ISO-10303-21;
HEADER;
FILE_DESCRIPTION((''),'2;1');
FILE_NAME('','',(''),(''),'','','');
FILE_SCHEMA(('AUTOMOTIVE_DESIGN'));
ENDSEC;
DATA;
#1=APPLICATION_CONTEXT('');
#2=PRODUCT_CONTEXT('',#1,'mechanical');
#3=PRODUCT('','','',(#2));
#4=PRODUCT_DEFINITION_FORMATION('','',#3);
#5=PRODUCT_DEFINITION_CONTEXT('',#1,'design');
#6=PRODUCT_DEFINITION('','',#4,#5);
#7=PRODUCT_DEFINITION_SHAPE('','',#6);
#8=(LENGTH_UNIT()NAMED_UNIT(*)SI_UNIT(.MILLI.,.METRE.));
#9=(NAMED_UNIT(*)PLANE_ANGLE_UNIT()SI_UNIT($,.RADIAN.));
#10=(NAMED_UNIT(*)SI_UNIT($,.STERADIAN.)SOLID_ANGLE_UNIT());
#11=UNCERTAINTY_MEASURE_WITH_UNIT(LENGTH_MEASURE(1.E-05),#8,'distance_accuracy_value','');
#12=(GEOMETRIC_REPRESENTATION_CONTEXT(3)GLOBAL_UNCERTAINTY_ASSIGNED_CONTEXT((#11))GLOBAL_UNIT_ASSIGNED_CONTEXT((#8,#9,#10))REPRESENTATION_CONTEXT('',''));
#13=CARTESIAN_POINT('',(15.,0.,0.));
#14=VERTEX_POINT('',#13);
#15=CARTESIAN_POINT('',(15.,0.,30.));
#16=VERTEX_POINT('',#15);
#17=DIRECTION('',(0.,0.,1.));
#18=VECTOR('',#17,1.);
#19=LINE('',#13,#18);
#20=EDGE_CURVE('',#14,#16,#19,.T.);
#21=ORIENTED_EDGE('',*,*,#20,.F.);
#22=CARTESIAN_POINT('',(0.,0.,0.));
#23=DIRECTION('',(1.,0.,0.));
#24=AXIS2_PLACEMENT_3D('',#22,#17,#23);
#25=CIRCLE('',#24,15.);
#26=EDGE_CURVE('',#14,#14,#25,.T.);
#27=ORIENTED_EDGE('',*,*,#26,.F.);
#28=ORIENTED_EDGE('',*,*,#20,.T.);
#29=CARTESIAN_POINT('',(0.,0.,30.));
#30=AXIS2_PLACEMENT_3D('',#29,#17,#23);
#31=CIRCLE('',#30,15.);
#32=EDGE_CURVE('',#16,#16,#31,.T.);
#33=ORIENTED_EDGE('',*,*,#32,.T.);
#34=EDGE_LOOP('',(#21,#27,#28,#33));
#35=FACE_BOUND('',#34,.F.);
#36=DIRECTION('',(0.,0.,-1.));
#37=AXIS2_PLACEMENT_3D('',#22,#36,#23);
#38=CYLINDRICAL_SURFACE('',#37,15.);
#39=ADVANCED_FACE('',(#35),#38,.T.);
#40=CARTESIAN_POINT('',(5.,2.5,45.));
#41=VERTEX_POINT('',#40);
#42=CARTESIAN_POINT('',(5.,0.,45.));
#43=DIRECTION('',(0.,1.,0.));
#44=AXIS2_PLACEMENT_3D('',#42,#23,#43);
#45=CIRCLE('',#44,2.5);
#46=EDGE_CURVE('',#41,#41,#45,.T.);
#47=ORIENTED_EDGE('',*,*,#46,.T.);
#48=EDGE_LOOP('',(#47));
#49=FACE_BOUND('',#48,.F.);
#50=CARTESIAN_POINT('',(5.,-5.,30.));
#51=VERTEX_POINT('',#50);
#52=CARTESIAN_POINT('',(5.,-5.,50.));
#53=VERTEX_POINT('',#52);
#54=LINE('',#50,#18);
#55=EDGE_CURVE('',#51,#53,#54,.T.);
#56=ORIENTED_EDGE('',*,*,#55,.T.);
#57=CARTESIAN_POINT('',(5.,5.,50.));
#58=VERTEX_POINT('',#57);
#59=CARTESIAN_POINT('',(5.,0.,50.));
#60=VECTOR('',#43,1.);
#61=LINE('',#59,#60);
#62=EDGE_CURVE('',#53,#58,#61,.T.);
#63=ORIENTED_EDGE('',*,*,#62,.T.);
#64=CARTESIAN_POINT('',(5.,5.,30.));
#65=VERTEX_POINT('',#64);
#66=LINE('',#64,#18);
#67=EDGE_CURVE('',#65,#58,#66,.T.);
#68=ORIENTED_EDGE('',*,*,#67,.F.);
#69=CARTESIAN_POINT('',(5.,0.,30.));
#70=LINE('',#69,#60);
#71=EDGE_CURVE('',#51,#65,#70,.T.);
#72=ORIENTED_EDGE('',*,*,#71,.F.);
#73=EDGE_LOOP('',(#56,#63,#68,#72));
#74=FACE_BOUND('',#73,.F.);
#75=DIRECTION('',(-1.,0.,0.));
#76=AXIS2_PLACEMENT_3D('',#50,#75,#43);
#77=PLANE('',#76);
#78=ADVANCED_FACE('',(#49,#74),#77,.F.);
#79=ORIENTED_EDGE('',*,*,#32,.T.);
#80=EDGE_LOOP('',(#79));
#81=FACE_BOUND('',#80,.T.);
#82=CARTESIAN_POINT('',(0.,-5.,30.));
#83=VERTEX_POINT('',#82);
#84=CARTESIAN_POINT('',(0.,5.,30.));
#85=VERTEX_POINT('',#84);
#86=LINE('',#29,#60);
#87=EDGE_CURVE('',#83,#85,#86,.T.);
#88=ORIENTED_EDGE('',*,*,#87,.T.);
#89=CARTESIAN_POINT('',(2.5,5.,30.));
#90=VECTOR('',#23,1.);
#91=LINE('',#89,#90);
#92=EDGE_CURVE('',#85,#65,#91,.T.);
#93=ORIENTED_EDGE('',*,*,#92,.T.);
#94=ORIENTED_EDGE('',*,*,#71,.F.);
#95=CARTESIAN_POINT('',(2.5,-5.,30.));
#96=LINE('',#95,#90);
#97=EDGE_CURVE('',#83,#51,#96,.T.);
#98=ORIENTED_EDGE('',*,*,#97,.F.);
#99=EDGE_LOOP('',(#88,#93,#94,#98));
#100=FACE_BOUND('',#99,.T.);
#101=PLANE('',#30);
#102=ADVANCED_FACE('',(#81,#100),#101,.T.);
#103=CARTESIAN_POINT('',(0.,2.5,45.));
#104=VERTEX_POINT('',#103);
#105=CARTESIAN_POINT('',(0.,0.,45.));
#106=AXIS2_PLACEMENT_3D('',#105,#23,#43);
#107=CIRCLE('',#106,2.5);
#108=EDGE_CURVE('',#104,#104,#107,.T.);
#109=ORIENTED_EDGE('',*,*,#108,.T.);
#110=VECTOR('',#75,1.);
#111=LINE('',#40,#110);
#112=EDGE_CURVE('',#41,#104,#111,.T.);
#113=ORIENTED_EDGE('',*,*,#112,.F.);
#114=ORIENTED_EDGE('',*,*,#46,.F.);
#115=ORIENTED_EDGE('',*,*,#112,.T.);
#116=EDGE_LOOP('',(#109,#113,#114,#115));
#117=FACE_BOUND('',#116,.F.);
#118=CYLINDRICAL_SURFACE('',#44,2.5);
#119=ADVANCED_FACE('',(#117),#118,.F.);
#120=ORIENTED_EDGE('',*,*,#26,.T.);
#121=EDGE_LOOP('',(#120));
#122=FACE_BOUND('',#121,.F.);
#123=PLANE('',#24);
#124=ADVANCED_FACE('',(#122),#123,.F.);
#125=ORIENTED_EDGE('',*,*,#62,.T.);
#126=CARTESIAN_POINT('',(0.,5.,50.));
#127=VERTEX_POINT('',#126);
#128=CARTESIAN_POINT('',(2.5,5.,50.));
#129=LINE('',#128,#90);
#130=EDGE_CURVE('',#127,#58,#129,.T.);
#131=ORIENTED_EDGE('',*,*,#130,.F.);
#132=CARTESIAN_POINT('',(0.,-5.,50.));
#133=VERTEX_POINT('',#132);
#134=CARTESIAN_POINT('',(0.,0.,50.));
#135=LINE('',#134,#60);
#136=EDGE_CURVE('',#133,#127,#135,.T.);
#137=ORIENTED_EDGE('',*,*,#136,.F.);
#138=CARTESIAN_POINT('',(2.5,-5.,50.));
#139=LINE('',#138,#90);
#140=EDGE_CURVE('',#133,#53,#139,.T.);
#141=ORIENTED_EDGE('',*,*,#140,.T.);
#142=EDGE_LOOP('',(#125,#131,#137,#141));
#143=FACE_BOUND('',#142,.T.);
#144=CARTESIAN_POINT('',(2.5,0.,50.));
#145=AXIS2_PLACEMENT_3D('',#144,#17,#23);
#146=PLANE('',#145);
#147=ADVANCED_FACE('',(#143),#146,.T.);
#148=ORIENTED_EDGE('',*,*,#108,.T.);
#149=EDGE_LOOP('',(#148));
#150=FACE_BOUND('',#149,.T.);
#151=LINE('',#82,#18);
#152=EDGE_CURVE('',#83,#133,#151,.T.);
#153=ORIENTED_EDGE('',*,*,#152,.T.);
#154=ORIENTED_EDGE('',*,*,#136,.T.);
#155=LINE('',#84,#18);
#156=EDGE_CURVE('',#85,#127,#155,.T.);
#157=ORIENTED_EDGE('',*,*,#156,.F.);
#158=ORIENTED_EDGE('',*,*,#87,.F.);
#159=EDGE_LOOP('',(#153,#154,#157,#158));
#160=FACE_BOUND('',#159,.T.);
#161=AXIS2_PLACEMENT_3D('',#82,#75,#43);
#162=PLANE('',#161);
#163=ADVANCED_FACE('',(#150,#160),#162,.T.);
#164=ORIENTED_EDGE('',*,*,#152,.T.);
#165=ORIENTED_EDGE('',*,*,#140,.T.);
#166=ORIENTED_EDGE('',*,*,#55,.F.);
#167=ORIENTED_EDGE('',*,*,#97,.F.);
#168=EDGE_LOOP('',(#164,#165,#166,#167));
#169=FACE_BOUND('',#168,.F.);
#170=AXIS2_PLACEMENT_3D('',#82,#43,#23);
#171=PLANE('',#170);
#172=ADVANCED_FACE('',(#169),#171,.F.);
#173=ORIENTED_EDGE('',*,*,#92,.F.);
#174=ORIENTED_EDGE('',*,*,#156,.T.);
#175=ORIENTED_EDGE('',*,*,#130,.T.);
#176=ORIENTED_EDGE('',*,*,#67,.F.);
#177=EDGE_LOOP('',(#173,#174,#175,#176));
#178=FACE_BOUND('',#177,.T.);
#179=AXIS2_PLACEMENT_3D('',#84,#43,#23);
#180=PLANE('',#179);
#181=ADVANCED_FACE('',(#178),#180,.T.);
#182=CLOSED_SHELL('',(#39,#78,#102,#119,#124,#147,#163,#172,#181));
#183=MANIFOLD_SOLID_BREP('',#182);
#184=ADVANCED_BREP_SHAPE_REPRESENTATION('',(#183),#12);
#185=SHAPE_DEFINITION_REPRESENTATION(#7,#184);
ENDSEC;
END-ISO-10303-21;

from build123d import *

# Parameters (mm, degrees)
SKETCH003_R  = 15
PAD003_DEPTH = 30
SKETCH004_W  = 5
SKETCH004_H  = 10
PAD004_DEPTH = 20
SKETCH005_R  = 2.5
POCKET_DEPTH = 20.001


with BuildPart() as part:
    # Sketch003 → Pad003 (new body)
    with BuildSketch(Plane.XY):
        Circle(SKETCH003_R)
    extrude(amount=PAD003_DEPTH)

    # Sketch004 (on Face3 of Pad003) → Pad004 (join)
    with BuildSketch(Plane.XY.offset(30)):
        with Locations((2.5, 0)):
            Rectangle(SKETCH004_W, SKETCH004_H)
    extrude(amount=PAD004_DEPTH)

    # Sketch005 (on Face6 of Pad004) → Pocket (cut, through all)
    with BuildSketch(Plane.YZ.offset(5)):
        with Locations((0, 45)):
            Circle(SKETCH005_R)
    extrude(amount=-POCKET_DEPTH, mode=Mode.SUBTRACT)


solid = part.part
